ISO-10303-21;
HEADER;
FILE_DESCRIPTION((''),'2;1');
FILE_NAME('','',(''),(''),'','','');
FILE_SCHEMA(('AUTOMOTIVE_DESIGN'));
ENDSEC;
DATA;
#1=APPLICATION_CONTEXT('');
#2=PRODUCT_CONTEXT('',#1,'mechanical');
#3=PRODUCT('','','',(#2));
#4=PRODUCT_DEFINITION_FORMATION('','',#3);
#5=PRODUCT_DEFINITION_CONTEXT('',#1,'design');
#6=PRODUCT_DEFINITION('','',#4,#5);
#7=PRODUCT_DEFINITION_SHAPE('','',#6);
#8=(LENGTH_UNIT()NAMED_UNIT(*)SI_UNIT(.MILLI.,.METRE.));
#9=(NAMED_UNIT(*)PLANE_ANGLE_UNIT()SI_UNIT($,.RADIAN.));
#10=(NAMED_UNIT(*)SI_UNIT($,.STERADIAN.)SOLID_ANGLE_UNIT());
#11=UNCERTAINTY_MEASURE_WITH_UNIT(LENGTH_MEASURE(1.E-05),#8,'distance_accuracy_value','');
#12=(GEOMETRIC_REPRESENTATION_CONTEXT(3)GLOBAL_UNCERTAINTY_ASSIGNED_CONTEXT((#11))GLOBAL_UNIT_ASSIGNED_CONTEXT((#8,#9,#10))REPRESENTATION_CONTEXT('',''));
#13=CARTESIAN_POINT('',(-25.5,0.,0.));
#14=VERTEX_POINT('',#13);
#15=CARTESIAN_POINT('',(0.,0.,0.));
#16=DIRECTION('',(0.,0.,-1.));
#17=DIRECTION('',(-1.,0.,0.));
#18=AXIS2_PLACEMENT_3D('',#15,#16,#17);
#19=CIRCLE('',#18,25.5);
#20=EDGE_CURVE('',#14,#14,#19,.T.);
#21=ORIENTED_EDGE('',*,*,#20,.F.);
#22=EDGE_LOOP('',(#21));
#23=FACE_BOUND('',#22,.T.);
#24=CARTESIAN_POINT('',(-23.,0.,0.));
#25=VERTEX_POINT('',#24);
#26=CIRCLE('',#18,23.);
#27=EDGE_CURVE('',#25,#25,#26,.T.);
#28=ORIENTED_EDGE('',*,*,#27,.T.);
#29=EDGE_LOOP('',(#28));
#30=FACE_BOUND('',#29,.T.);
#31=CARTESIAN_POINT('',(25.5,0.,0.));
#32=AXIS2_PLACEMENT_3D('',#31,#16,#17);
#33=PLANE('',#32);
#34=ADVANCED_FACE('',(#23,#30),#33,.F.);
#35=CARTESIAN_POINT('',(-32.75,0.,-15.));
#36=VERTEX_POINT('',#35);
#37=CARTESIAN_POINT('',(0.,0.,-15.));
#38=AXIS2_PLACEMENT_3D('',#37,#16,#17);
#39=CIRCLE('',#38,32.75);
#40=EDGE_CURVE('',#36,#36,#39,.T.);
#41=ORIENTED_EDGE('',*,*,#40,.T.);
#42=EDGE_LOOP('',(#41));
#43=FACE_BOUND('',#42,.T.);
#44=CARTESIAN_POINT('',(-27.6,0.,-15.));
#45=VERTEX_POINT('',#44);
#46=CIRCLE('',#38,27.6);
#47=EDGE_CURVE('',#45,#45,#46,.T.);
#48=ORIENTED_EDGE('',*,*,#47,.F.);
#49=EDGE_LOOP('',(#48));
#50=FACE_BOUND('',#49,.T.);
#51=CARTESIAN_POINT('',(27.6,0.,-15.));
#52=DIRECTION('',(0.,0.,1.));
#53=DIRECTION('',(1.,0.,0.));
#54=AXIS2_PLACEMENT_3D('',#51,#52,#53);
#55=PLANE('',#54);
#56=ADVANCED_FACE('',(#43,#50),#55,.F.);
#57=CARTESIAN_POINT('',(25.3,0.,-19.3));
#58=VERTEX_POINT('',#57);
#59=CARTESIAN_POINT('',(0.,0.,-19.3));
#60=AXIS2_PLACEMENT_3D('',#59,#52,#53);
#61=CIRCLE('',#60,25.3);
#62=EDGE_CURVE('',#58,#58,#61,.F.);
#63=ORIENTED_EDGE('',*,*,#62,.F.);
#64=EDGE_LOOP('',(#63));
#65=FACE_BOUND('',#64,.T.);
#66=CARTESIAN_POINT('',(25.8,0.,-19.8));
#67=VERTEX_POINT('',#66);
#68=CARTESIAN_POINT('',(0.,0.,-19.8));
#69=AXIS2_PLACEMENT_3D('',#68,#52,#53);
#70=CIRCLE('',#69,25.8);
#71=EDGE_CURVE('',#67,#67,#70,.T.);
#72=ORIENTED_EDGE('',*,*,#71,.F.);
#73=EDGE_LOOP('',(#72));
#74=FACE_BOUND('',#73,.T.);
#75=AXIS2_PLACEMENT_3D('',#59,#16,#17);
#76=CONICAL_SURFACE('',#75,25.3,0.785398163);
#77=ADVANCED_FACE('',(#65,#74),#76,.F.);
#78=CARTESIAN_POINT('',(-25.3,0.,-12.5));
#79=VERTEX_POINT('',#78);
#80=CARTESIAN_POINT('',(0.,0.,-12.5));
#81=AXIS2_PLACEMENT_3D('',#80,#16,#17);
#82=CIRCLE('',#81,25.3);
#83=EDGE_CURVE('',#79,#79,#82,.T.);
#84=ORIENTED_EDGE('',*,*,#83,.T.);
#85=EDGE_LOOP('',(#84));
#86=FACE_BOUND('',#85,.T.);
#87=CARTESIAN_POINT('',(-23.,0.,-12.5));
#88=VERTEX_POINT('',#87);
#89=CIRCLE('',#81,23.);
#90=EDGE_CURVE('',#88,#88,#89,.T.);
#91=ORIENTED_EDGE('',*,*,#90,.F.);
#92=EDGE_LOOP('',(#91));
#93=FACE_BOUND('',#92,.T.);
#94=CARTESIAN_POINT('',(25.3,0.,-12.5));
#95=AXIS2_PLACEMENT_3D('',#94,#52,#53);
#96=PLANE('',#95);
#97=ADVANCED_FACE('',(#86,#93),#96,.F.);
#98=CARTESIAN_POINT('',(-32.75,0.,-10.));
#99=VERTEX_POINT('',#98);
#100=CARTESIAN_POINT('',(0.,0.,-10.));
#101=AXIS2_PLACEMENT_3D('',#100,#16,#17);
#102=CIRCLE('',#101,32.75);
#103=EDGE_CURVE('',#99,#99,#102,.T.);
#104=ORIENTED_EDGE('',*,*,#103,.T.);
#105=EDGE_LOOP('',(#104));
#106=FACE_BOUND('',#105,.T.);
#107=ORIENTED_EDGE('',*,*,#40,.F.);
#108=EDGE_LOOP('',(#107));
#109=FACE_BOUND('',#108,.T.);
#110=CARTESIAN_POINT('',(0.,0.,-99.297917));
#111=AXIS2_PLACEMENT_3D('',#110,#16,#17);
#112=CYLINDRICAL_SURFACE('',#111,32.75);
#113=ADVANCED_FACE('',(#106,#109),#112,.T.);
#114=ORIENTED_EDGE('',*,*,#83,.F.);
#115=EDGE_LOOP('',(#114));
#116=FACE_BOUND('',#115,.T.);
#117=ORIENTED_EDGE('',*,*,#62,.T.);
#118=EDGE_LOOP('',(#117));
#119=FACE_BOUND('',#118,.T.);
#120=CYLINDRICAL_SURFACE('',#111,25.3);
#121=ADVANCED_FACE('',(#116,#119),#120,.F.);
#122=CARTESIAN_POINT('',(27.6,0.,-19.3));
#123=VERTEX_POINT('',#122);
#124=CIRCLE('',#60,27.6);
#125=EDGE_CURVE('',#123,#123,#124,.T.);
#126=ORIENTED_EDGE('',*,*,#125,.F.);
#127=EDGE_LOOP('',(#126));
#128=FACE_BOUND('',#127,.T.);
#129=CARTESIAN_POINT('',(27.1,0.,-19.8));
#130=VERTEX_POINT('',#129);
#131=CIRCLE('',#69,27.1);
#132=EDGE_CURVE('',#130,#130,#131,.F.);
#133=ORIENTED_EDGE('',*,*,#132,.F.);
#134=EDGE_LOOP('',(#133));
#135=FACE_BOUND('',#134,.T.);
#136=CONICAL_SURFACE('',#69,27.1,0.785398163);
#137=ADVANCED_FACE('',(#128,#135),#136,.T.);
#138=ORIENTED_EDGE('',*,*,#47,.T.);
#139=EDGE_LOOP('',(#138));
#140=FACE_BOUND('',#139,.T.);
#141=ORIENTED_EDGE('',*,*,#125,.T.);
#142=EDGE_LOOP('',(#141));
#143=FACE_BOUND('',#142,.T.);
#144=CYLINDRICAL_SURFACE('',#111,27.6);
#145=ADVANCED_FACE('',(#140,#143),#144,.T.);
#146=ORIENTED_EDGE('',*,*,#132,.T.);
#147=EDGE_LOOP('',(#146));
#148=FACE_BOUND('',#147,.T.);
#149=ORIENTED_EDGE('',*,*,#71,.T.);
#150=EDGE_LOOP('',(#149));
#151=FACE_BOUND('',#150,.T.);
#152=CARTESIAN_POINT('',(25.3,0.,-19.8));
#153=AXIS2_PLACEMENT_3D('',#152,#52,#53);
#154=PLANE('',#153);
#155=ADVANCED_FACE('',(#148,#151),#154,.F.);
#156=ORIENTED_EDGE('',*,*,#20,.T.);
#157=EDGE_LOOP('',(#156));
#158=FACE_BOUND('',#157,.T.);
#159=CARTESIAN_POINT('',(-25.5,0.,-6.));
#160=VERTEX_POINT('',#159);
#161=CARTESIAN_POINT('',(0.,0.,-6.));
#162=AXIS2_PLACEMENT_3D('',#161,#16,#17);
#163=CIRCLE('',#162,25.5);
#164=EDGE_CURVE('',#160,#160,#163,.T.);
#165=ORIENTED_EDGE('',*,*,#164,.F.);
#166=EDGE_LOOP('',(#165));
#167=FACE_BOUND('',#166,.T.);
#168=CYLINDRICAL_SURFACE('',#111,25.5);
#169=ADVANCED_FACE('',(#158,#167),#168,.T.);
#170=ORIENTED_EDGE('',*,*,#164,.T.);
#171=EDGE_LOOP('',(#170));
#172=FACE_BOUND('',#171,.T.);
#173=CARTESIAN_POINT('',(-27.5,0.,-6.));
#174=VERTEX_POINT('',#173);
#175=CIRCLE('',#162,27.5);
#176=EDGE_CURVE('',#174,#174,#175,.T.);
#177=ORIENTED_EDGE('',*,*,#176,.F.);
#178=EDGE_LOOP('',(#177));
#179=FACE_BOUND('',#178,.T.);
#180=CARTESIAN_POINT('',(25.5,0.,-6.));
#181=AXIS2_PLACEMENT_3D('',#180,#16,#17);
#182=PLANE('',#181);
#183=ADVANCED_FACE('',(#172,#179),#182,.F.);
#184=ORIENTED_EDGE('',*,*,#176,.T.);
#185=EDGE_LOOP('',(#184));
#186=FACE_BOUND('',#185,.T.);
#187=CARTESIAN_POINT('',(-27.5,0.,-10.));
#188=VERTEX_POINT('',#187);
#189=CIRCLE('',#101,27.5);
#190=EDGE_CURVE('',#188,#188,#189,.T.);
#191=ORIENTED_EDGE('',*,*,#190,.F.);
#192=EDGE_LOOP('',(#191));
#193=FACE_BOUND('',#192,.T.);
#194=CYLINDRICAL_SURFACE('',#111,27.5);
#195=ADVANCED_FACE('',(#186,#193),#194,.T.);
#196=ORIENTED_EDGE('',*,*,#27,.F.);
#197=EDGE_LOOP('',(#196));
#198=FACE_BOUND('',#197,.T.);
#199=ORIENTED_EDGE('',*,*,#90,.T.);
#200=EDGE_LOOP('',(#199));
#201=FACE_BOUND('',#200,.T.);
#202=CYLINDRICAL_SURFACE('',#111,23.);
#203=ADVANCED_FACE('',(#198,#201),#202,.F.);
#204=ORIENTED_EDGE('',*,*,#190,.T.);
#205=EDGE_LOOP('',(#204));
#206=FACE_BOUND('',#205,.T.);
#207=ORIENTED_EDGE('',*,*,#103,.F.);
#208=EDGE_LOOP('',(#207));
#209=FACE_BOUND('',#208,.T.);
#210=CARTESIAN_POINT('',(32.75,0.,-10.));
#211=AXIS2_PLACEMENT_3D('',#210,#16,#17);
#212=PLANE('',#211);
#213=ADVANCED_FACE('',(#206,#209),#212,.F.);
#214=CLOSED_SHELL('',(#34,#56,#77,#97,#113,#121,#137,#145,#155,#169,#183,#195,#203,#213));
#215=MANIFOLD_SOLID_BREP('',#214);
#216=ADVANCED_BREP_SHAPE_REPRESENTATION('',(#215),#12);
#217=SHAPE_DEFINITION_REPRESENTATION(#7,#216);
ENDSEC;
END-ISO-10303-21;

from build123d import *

# Parameters (mm, degrees)
CHAMFER1_SIZE = 0.5


with BuildPart() as part:
    # Sketch1 → Revolve1 (revolve)
    with BuildSketch(Plane(origin=(0, 0, 0), x_dir=(1, 0, 0), z_dir=(0, 1, 0)), mode=Mode.PRIVATE) as revolve1_sk:
        Polygon((25.3, 19.8), (27.6, 19.8), (27.6, 15), (32.75, 15), (32.75, 10), (27.5, 10), (27.5, 6), (25.5, 6), (25.5, 0), (23, 0), (23, 12.5), (25.3, 12.5), align=None)
    revolve(revolve1_sk.sketch.rotate(Axis((0, 0, -99.297916667), (0, 0, 1)), 180), axis=Axis((0, 0, -99.297916667), (0, 0, 1)))

    # Chamfer1
    chamfer1_edges = [part.edges().sort_by_distance(p)[0] for p in [
        (27.6, 0, -19.8),
        (25.3, 0, -19.8),
    ]]
    chamfer(chamfer1_edges, length=CHAMFER1_SIZE)


solid = part.part
